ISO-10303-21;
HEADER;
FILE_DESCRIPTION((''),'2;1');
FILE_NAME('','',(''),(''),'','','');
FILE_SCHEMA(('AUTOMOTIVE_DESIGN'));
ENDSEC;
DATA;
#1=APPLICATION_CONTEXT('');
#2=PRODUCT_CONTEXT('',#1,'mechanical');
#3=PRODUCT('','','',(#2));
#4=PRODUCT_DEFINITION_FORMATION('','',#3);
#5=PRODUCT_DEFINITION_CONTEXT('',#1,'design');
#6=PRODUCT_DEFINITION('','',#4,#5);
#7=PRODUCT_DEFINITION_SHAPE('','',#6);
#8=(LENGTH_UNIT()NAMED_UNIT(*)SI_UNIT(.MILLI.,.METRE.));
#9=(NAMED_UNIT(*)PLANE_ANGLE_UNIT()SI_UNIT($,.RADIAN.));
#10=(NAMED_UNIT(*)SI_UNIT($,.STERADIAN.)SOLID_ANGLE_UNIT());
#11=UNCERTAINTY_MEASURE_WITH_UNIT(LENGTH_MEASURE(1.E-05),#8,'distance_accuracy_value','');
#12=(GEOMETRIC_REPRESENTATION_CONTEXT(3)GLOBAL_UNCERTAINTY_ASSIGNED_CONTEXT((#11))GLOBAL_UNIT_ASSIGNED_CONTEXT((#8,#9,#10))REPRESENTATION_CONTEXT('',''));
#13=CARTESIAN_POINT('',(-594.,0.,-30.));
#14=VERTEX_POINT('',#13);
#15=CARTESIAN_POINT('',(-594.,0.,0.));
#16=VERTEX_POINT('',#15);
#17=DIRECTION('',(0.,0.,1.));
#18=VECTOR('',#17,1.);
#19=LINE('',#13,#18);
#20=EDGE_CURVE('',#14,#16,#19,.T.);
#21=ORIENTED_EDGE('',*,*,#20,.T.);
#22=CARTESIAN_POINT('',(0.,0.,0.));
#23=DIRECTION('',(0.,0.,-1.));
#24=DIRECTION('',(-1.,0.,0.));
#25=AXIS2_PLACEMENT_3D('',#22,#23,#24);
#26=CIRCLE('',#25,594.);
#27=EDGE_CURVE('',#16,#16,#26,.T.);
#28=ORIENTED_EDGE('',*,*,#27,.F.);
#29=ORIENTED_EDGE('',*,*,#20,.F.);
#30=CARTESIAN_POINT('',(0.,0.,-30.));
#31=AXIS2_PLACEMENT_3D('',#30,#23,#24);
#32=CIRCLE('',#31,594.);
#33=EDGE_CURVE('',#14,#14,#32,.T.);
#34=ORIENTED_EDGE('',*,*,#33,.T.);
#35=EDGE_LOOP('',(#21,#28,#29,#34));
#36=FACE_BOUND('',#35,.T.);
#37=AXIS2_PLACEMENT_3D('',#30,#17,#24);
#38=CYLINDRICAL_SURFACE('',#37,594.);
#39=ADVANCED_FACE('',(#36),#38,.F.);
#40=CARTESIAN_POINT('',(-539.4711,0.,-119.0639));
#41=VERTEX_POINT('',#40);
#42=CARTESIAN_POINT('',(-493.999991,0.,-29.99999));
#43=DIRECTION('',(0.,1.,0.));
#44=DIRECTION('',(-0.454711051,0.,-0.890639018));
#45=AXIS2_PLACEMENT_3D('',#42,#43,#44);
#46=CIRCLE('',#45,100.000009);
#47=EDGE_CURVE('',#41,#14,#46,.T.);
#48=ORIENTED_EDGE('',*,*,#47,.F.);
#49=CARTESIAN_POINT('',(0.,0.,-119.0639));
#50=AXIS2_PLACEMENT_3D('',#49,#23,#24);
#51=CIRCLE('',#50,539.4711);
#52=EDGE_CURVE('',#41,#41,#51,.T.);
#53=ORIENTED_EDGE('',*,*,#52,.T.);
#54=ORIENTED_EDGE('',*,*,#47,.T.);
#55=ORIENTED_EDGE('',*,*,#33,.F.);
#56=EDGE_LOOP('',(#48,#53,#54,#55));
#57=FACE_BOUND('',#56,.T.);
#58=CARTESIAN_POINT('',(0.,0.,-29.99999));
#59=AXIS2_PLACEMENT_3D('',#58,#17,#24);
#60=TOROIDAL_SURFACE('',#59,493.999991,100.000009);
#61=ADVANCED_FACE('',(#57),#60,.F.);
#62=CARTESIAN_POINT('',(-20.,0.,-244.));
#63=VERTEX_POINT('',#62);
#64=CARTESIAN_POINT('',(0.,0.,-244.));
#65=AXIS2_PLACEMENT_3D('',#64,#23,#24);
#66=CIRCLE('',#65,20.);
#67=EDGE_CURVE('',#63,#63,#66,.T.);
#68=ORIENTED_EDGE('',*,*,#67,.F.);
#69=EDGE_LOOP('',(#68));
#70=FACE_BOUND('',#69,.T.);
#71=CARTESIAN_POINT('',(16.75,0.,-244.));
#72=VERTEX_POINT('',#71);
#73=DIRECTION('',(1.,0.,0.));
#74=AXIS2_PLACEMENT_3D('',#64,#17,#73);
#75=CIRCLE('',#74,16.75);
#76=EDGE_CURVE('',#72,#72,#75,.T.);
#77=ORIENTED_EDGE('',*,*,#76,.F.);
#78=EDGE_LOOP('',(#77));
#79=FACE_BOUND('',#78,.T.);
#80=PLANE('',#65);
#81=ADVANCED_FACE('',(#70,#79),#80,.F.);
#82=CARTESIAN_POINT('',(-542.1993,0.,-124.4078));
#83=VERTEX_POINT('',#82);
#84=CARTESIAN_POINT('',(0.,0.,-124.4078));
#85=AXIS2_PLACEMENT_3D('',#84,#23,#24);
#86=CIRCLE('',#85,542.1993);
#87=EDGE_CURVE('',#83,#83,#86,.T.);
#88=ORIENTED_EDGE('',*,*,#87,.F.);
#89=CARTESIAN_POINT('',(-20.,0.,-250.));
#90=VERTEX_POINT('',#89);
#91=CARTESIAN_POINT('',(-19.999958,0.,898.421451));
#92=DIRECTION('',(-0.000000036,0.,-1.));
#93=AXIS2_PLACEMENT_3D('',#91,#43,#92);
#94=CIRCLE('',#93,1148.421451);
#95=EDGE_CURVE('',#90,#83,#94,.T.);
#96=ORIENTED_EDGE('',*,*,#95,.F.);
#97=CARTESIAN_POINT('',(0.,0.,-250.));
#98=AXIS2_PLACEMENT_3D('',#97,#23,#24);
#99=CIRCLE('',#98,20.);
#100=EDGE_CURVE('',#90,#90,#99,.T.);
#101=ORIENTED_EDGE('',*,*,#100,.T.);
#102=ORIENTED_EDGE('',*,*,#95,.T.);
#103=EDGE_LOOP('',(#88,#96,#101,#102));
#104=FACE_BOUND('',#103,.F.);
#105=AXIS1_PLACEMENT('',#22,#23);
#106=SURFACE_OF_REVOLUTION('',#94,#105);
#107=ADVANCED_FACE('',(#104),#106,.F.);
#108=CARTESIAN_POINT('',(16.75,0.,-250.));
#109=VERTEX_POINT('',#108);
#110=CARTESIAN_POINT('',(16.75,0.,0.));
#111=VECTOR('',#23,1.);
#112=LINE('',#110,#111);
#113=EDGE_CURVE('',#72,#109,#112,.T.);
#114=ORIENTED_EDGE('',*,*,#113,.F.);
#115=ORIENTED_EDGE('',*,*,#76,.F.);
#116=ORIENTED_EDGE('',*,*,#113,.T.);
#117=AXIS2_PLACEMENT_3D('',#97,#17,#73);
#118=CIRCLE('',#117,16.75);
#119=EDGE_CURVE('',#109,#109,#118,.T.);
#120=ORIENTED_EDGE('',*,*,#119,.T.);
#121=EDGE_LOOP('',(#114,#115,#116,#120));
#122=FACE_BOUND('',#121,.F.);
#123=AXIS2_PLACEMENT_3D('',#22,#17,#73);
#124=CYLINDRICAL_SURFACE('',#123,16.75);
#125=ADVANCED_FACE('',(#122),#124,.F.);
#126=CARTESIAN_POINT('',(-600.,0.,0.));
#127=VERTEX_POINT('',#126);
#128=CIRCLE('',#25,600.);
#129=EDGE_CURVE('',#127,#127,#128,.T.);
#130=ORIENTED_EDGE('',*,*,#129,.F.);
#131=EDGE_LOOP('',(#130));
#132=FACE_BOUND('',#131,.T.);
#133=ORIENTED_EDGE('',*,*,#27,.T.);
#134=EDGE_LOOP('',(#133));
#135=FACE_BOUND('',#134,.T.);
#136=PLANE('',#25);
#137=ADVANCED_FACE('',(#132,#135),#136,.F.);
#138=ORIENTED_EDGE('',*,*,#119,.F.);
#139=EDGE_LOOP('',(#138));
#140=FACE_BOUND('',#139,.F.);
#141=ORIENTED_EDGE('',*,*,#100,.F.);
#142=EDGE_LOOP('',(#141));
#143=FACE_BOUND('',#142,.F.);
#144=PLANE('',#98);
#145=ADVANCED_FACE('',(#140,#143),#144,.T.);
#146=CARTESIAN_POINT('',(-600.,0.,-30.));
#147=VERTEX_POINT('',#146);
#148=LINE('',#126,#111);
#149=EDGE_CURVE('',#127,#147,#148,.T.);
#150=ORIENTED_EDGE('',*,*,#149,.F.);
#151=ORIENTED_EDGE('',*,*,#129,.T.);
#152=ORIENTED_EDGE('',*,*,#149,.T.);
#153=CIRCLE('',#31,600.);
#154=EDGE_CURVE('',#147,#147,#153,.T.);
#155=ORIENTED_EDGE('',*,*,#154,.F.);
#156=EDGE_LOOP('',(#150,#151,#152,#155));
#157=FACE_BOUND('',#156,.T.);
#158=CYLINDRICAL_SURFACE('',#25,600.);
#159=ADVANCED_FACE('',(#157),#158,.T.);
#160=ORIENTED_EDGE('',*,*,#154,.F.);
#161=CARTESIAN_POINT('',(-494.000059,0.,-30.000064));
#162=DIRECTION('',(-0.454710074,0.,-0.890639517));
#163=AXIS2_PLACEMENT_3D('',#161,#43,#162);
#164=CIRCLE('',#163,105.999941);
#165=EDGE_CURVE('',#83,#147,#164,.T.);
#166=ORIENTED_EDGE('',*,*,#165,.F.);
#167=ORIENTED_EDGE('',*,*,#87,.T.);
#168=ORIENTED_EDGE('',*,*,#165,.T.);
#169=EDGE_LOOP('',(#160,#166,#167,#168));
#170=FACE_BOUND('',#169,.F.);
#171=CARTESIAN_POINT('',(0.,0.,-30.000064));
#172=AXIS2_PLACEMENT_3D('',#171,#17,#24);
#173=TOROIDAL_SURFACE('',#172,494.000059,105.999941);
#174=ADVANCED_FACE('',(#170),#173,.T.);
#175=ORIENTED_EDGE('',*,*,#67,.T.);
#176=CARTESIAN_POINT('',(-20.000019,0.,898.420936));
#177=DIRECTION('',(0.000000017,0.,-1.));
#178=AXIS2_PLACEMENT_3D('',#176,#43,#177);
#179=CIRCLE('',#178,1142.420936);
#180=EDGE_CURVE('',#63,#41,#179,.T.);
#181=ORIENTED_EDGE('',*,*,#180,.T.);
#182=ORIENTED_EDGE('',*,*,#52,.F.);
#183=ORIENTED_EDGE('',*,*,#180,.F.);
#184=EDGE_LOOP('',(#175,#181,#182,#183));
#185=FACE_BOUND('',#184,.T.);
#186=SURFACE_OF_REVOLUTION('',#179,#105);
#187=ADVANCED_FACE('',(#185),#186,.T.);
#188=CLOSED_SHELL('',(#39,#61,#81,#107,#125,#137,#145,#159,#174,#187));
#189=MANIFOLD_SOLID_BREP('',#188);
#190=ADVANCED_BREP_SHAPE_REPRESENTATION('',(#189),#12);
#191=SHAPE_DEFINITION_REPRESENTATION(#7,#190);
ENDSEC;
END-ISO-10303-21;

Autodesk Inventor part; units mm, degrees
ref_plane "YZ Plane" through (0, 0, 0) normal (1, 0, 0) x (0, 1, 0)
ref_plane "XZ Plane" through (0, 0, 0) normal (0, 1, 0) x (-1, 0, 0)
ref_plane "XY Plane" through (0, 0, 0) normal (0, 0, 1) x (1, 0, 0)
sketch "Sketch1" plane through (0, 0, 0) normal (0, 1, 0) x (-1, 0, 0)
  line L0 (600, 0) -> (600, -30)
  arc A0 (542.1993, -124.4078) -> (600, -30) centre (494, -30) ccw
  arc A1 (20, -250) -> (542.1993, -124.4078) centre (20, 898.4211) ccw
  line L1 (0, 0) -> (0, -191.6842)
  arc A2 (20, -244) -> (539.4711, -119.0639) centre (20, 898.4211) ccw
  arc A3 (539.4711, -119.0639) -> (594, -30) centre (494, -30) ccw
  line L2 (594, -30) -> (594, 0)
  line L3 (594, 0) -> (600, 0)
  line L4 (0, -244) -> (0, -250)
  line L5 (0, -250) -> (20, -250)
  line L6 (0, -244) -> (20, -244)
  point P0 (0, 0)
  point P1 (0, -163.7009)
  point P2 (0, -169.7009)
  dimension "d1" = 30
  dimension "d3" = 1148.421
  dimension "d11" = 1188
  dimension "d12" = 250
  dimension "d13" = 6
  dimension "d14" = 40
  dimension "d15" = 100
revolve "Revolution1" add sketch "Sketch1" angle 360 about axis through (0, 0, 0) along (0, 0, -1)
sketch "Sketch2" plane through (0, 0, 0) normal (0, 0, 1) x (1, 0, 0)
  circle A0 centre (0, 0) radius 16.75
  dimension "d8" = 33.5
extrude "Extrusion1" cut sketch "Sketch2" against normal through all
properties part number "PRS 1604 dished head_D1200"
